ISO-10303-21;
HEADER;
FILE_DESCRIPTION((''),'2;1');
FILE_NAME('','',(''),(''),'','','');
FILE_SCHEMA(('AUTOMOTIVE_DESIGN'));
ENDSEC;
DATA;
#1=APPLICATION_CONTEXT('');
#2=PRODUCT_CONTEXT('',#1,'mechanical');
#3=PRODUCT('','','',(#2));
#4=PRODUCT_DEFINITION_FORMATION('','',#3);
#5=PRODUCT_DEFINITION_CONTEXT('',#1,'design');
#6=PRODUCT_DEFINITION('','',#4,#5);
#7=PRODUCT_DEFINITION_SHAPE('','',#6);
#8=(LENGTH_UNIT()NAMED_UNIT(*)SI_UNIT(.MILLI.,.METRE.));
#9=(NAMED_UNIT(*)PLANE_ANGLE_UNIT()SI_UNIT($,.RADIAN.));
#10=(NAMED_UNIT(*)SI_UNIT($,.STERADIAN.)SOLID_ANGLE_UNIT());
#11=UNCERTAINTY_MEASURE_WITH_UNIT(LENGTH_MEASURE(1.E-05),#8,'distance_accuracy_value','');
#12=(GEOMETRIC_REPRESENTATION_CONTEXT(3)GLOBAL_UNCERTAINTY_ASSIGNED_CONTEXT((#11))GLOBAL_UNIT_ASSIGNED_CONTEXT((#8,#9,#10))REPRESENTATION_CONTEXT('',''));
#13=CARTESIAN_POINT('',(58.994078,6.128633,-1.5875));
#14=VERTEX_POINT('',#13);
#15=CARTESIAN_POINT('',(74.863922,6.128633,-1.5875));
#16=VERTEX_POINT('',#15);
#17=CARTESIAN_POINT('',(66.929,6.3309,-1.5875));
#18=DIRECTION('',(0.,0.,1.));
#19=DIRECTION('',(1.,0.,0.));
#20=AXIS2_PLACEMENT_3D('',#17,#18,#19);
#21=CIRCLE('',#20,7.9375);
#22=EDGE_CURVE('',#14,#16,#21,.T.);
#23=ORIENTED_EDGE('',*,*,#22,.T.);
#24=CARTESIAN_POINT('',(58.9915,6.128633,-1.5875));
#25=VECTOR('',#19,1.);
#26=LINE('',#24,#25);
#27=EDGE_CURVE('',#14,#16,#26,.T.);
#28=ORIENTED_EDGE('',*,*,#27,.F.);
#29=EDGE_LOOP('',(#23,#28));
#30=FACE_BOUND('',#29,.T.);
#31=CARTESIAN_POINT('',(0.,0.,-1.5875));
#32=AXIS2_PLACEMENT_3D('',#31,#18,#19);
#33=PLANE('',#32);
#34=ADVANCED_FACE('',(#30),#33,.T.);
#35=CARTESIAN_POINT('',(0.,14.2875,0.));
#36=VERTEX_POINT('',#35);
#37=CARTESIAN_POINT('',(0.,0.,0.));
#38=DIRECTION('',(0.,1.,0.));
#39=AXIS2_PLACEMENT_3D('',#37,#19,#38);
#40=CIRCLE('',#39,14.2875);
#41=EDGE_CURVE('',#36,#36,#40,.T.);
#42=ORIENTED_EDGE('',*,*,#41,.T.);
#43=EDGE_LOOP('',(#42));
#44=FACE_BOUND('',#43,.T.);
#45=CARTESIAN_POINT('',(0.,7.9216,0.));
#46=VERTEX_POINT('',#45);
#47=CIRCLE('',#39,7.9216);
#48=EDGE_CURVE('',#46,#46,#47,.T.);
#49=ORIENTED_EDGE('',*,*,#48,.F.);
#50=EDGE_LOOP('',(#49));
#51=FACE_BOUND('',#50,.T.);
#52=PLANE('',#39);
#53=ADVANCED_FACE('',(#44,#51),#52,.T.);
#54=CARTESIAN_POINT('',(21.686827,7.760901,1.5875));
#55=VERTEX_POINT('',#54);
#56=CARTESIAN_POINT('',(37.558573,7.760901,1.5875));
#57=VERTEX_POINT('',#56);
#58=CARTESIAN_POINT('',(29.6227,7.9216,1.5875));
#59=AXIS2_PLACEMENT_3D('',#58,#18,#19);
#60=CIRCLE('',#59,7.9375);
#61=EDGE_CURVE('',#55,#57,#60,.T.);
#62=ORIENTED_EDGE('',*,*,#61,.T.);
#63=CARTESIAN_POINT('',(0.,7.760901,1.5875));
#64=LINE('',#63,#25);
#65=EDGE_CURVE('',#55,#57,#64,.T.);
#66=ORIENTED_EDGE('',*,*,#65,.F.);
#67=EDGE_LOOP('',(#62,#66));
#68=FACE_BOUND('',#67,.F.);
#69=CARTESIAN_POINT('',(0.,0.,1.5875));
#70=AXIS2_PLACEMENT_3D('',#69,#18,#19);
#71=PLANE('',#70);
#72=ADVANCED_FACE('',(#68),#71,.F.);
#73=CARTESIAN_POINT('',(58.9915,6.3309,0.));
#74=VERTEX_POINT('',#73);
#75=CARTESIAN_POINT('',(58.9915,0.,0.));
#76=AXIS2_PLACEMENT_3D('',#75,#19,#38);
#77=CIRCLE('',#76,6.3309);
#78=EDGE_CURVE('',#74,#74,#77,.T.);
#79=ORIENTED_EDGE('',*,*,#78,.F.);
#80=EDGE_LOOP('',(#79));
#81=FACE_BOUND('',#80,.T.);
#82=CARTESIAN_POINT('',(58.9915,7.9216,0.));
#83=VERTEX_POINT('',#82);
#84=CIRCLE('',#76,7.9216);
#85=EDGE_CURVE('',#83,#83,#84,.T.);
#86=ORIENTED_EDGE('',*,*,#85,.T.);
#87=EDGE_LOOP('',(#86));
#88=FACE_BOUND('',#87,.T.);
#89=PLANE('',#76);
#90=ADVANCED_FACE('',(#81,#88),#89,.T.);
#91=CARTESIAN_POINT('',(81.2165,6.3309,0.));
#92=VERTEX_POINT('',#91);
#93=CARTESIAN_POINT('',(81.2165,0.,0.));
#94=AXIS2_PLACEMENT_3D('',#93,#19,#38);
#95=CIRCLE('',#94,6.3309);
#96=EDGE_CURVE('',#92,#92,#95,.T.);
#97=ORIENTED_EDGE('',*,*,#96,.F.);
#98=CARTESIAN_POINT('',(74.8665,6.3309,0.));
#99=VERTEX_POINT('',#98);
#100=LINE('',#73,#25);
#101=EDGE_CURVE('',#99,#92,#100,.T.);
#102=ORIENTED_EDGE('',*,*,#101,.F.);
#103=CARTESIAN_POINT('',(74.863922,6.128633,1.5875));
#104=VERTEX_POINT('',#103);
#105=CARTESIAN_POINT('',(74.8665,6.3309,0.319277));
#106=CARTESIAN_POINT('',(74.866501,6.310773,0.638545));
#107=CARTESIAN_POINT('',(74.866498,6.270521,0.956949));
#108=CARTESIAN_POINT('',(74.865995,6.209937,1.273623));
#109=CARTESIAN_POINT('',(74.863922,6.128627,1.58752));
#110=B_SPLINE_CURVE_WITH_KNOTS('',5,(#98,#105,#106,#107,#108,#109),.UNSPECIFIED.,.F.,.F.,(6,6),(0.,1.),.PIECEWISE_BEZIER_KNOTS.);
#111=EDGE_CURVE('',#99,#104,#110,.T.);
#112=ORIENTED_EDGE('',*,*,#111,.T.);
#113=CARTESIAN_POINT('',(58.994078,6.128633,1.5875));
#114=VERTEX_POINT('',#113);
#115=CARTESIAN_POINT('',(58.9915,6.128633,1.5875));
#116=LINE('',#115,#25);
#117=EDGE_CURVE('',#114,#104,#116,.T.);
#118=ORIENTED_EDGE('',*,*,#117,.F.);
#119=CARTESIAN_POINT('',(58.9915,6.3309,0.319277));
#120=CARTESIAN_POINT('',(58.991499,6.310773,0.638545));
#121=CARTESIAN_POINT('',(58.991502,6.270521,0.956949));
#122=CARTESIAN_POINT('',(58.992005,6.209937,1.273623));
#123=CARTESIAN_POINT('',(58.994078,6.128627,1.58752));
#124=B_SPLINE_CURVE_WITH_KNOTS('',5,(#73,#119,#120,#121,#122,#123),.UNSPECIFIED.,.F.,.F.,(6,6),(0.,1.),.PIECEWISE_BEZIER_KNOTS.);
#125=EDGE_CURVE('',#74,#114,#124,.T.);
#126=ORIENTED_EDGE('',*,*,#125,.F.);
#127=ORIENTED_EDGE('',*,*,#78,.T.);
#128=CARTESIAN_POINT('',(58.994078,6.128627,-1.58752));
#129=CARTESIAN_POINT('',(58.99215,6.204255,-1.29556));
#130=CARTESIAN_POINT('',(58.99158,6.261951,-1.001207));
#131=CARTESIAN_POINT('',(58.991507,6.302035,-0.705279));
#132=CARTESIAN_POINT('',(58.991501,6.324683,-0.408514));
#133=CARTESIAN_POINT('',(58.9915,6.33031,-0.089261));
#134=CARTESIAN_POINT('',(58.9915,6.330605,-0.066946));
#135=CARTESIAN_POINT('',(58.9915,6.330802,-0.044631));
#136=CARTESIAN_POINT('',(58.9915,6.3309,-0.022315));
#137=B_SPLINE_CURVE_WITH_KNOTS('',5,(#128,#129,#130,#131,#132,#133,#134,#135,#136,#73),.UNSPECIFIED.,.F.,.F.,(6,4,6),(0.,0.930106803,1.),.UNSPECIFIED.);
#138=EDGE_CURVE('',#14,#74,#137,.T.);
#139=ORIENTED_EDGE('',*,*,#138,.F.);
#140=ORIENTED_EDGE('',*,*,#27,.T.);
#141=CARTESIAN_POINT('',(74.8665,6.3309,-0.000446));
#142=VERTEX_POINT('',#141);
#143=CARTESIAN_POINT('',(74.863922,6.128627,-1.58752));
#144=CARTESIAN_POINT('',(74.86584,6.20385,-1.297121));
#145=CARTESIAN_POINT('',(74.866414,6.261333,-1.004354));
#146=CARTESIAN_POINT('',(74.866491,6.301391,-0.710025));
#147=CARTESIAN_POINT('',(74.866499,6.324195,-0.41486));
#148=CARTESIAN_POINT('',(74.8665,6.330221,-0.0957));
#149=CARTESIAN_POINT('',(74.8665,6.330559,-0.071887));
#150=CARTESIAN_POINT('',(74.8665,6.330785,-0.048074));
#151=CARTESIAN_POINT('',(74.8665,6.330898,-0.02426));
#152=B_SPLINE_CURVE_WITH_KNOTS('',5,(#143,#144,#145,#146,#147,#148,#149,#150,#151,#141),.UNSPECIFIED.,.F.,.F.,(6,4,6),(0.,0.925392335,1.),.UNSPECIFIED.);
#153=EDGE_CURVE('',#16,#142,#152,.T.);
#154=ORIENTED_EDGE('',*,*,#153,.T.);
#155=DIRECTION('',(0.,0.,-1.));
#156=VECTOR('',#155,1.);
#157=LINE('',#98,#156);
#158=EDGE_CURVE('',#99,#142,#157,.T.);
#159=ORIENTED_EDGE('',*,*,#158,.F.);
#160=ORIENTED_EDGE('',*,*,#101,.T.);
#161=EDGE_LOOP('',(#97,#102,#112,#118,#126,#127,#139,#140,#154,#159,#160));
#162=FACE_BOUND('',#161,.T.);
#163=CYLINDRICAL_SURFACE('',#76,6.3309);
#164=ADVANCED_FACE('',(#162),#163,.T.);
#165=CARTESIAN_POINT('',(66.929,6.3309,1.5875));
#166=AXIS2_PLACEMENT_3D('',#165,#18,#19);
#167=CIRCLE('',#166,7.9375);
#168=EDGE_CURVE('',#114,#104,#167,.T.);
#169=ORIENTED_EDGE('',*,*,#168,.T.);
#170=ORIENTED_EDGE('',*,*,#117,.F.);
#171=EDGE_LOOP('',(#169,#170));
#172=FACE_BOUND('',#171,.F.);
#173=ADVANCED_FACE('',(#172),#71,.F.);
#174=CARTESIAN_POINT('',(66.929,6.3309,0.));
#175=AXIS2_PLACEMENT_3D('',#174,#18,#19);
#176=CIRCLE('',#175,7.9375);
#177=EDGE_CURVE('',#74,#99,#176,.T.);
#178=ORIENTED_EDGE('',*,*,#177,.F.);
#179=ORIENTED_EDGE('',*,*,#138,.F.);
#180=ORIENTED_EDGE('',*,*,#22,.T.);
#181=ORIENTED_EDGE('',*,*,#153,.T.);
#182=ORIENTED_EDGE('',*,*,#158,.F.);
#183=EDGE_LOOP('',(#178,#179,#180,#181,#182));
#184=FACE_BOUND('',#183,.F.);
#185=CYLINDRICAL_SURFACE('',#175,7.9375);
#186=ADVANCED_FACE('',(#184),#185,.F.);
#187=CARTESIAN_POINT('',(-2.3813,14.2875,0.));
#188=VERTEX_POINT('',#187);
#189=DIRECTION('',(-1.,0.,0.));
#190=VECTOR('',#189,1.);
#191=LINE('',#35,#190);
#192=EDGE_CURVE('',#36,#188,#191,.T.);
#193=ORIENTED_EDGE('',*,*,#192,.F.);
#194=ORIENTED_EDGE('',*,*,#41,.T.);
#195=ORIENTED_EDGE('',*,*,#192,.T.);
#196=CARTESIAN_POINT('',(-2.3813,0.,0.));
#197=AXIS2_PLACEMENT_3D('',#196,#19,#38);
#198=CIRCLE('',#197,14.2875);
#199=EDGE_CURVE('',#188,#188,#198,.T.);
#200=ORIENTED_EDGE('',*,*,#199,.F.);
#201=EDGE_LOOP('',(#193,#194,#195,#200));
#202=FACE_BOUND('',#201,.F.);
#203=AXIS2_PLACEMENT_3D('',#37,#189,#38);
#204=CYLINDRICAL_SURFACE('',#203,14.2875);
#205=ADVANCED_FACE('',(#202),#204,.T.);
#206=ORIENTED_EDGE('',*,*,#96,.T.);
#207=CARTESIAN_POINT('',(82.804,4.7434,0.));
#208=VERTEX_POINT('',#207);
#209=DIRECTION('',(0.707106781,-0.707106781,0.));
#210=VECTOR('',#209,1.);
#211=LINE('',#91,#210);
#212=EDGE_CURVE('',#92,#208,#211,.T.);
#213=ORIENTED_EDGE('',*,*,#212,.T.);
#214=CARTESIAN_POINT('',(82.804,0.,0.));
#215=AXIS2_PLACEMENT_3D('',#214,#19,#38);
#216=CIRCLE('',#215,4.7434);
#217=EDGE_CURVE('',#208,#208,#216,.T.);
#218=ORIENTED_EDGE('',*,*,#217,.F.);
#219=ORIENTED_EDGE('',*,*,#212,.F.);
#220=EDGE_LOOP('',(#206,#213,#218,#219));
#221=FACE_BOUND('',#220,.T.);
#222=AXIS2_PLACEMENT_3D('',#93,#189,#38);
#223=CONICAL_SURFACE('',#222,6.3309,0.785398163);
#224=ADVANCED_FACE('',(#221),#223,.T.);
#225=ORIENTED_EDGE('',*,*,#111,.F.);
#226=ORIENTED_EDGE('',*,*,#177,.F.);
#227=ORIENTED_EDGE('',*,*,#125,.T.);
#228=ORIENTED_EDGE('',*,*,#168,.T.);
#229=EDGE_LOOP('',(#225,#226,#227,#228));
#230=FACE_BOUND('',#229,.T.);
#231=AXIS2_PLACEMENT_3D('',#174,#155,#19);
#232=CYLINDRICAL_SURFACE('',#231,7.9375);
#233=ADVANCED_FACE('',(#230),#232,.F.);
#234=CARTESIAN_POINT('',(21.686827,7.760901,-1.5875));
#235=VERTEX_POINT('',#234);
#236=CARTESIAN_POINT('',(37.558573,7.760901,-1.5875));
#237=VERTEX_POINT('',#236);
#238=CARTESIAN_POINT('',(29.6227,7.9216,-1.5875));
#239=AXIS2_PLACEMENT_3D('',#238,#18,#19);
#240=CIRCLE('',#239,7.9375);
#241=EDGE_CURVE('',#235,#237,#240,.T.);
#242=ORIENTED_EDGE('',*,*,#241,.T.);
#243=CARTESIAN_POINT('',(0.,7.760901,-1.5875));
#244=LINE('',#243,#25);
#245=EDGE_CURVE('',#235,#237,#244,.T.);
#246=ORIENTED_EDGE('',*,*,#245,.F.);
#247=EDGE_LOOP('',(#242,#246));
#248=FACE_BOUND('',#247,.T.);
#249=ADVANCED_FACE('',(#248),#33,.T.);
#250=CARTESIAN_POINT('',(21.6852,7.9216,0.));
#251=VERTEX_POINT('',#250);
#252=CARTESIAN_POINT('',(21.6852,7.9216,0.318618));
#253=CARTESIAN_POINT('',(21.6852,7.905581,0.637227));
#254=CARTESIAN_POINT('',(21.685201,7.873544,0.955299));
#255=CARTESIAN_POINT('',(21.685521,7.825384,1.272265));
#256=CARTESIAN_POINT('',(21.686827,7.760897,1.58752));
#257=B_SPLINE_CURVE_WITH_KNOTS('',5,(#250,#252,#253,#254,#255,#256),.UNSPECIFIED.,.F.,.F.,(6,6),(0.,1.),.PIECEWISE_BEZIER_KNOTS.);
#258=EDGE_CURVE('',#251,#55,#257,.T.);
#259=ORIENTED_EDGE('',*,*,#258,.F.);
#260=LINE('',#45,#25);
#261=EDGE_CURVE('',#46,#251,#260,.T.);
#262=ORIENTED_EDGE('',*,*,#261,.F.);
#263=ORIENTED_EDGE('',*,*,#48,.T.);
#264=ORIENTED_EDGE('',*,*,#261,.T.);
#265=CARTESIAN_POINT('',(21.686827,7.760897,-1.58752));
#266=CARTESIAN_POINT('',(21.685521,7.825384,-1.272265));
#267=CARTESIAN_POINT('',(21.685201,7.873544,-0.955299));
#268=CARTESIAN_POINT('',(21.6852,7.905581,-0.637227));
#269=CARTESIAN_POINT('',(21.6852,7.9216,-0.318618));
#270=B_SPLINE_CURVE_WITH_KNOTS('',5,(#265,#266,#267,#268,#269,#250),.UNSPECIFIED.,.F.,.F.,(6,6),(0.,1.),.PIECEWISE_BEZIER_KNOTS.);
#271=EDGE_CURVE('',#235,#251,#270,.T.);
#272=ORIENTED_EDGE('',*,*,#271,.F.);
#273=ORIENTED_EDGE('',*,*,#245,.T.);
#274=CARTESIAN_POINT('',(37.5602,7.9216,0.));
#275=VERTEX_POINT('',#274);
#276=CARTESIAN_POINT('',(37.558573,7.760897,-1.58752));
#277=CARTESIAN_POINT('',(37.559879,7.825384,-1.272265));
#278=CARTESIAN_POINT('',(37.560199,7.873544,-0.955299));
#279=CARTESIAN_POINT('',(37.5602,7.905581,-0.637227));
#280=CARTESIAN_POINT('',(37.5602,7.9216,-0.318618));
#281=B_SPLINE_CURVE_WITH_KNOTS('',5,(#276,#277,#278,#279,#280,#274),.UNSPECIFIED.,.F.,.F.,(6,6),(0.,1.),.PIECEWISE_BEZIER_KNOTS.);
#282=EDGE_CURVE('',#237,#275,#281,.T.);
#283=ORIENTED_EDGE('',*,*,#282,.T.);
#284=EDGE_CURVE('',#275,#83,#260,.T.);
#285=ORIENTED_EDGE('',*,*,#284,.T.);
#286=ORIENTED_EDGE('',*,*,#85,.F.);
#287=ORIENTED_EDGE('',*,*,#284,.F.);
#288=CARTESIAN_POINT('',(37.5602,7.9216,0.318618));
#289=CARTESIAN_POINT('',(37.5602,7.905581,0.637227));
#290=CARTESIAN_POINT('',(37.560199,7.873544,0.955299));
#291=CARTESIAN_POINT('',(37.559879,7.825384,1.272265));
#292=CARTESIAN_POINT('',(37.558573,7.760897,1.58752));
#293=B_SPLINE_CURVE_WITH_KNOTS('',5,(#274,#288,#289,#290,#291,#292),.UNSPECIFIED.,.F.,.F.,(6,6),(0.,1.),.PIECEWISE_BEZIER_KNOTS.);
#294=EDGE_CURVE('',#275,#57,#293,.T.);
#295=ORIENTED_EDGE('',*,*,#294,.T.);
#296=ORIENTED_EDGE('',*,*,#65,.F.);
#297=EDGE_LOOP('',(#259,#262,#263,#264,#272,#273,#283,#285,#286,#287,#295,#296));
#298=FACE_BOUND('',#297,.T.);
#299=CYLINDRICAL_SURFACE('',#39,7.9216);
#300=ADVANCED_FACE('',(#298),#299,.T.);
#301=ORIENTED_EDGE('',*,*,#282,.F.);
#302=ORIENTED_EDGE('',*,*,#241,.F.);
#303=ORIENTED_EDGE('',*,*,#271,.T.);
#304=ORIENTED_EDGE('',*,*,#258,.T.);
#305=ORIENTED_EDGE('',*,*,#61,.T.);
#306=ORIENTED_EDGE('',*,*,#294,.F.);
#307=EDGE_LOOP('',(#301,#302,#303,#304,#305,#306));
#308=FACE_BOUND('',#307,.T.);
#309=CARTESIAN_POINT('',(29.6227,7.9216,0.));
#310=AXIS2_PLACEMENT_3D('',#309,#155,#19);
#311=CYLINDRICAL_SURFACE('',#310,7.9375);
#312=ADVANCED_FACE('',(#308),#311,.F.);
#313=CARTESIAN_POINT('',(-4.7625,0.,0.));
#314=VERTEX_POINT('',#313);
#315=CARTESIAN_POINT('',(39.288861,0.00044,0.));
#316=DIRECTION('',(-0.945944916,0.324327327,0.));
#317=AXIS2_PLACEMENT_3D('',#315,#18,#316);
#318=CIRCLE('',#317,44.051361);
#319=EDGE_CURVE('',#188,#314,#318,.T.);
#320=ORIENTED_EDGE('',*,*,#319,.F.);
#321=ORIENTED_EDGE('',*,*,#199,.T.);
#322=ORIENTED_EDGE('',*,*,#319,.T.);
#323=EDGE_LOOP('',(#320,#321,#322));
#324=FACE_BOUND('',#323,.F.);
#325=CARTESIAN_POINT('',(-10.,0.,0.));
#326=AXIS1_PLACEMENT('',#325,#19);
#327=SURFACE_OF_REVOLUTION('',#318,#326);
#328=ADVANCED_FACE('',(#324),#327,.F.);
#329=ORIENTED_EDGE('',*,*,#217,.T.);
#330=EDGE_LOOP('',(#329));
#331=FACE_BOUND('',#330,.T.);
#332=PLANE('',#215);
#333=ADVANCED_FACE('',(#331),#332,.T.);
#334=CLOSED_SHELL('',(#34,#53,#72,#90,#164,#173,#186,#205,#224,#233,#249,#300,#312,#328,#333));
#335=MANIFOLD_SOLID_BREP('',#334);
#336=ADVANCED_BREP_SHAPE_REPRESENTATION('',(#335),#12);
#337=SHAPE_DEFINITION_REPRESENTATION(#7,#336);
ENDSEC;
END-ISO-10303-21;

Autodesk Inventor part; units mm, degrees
ref_plane "YZ Plane" through (0, 0, 0) normal (1, 0, 0) x (0, 1, 0)
ref_plane "XZ Plane" through (0, 0, 0) normal (0, 1, 0) x (-1, 0, 0)
ref_plane "XY Plane" through (0, 0, 0) normal (0, 0, 1) x (1, 0, 0)
sketch "Sketch1" plane through (0, 0, 0) normal (0, 0, 1) x (1, 0, 0)
  line L0 (58.9915, 7.9216) -> (58.9915, 6.3309)
  line L1 (58.9915, 6.3309) -> (82.804, 6.3309)
  line L2 (-22.9853, 0) -> (100.4355, 0) projected
  line L3 (0, 7.9216) -> (58.9915, 7.9216)
  line L4 (0, 0) -> (0, 14.2875) construction
  line L5 (0, -5.5981) -> (0, 33.5884) construction
  line L6 (0, 14.2875) -> (0, 7.9216)
  line L7 (82.804, 6.3309) -> (82.804, 0)
  line L8 (-4.7625, 0) -> (82.804, 0)
  line L9 (-4.7625, 0) -> (-4.7625, 27.9903) construction
  line L10 (0, 14.2875) -> (-2.3813, 14.2875)
  arc A0 (-2.3813, 14.2875) -> (-4.7625, 0) centre (39.2906, 0) ccw
  dimension "d4" = 15.8432
  dimension "d6" = 23.8125
  dimension "d8" = 58.9915
  dimension "d9" = 12.6619
  dimension "d10" = 0
  dimension "d16" = 2.3813
  dimension "d17" = 2.3813
  dimension "d18" = 28.575
revolve "Revolution1" add sketch "Sketch1" angle 360 about axis through (-10, 0, 0) along (1, 0, 0)
sketch "Sketch2" plane through (0, 0, 0) normal (0, 0, 1) x (1, 0, 0)
  circle A0 centre (29.6227, 7.9216) radius 7.9375
  circle A1 centre (66.929, 6.3309) radius 7.9375
  line L0 (58.9915, -7.9216) -> (58.9915, 7.9216) construction
  line L1 (0, 7.9216) -> (58.9915, 7.9216) construction
  line L2 (58.9915, 6.3309) -> (82.804, 6.3309) construction
  point P0 (0, 0)
  dimension "d20" = 29.3687
  dimension "d21" = 7.9375
  dimension "d22" = 15.875
  dimension "d23" = 0
  dimension "d24" = 0
extrude "Extrusion1" cut sketch "Sketch2" along normal mid plane 3.175
chamfer "Chamfer1" distance 1.5875 angle 45 1 edges at (82.804, -6.3309, 0)
thread "Thread1" size "1/2-13 UNC" class "2A" standard "ANSI Unified Screw Threads" length 11.9062
equation "\"d17\" = d16"
properties part number "Flecha del engrane" material "Aluminum 6061"
